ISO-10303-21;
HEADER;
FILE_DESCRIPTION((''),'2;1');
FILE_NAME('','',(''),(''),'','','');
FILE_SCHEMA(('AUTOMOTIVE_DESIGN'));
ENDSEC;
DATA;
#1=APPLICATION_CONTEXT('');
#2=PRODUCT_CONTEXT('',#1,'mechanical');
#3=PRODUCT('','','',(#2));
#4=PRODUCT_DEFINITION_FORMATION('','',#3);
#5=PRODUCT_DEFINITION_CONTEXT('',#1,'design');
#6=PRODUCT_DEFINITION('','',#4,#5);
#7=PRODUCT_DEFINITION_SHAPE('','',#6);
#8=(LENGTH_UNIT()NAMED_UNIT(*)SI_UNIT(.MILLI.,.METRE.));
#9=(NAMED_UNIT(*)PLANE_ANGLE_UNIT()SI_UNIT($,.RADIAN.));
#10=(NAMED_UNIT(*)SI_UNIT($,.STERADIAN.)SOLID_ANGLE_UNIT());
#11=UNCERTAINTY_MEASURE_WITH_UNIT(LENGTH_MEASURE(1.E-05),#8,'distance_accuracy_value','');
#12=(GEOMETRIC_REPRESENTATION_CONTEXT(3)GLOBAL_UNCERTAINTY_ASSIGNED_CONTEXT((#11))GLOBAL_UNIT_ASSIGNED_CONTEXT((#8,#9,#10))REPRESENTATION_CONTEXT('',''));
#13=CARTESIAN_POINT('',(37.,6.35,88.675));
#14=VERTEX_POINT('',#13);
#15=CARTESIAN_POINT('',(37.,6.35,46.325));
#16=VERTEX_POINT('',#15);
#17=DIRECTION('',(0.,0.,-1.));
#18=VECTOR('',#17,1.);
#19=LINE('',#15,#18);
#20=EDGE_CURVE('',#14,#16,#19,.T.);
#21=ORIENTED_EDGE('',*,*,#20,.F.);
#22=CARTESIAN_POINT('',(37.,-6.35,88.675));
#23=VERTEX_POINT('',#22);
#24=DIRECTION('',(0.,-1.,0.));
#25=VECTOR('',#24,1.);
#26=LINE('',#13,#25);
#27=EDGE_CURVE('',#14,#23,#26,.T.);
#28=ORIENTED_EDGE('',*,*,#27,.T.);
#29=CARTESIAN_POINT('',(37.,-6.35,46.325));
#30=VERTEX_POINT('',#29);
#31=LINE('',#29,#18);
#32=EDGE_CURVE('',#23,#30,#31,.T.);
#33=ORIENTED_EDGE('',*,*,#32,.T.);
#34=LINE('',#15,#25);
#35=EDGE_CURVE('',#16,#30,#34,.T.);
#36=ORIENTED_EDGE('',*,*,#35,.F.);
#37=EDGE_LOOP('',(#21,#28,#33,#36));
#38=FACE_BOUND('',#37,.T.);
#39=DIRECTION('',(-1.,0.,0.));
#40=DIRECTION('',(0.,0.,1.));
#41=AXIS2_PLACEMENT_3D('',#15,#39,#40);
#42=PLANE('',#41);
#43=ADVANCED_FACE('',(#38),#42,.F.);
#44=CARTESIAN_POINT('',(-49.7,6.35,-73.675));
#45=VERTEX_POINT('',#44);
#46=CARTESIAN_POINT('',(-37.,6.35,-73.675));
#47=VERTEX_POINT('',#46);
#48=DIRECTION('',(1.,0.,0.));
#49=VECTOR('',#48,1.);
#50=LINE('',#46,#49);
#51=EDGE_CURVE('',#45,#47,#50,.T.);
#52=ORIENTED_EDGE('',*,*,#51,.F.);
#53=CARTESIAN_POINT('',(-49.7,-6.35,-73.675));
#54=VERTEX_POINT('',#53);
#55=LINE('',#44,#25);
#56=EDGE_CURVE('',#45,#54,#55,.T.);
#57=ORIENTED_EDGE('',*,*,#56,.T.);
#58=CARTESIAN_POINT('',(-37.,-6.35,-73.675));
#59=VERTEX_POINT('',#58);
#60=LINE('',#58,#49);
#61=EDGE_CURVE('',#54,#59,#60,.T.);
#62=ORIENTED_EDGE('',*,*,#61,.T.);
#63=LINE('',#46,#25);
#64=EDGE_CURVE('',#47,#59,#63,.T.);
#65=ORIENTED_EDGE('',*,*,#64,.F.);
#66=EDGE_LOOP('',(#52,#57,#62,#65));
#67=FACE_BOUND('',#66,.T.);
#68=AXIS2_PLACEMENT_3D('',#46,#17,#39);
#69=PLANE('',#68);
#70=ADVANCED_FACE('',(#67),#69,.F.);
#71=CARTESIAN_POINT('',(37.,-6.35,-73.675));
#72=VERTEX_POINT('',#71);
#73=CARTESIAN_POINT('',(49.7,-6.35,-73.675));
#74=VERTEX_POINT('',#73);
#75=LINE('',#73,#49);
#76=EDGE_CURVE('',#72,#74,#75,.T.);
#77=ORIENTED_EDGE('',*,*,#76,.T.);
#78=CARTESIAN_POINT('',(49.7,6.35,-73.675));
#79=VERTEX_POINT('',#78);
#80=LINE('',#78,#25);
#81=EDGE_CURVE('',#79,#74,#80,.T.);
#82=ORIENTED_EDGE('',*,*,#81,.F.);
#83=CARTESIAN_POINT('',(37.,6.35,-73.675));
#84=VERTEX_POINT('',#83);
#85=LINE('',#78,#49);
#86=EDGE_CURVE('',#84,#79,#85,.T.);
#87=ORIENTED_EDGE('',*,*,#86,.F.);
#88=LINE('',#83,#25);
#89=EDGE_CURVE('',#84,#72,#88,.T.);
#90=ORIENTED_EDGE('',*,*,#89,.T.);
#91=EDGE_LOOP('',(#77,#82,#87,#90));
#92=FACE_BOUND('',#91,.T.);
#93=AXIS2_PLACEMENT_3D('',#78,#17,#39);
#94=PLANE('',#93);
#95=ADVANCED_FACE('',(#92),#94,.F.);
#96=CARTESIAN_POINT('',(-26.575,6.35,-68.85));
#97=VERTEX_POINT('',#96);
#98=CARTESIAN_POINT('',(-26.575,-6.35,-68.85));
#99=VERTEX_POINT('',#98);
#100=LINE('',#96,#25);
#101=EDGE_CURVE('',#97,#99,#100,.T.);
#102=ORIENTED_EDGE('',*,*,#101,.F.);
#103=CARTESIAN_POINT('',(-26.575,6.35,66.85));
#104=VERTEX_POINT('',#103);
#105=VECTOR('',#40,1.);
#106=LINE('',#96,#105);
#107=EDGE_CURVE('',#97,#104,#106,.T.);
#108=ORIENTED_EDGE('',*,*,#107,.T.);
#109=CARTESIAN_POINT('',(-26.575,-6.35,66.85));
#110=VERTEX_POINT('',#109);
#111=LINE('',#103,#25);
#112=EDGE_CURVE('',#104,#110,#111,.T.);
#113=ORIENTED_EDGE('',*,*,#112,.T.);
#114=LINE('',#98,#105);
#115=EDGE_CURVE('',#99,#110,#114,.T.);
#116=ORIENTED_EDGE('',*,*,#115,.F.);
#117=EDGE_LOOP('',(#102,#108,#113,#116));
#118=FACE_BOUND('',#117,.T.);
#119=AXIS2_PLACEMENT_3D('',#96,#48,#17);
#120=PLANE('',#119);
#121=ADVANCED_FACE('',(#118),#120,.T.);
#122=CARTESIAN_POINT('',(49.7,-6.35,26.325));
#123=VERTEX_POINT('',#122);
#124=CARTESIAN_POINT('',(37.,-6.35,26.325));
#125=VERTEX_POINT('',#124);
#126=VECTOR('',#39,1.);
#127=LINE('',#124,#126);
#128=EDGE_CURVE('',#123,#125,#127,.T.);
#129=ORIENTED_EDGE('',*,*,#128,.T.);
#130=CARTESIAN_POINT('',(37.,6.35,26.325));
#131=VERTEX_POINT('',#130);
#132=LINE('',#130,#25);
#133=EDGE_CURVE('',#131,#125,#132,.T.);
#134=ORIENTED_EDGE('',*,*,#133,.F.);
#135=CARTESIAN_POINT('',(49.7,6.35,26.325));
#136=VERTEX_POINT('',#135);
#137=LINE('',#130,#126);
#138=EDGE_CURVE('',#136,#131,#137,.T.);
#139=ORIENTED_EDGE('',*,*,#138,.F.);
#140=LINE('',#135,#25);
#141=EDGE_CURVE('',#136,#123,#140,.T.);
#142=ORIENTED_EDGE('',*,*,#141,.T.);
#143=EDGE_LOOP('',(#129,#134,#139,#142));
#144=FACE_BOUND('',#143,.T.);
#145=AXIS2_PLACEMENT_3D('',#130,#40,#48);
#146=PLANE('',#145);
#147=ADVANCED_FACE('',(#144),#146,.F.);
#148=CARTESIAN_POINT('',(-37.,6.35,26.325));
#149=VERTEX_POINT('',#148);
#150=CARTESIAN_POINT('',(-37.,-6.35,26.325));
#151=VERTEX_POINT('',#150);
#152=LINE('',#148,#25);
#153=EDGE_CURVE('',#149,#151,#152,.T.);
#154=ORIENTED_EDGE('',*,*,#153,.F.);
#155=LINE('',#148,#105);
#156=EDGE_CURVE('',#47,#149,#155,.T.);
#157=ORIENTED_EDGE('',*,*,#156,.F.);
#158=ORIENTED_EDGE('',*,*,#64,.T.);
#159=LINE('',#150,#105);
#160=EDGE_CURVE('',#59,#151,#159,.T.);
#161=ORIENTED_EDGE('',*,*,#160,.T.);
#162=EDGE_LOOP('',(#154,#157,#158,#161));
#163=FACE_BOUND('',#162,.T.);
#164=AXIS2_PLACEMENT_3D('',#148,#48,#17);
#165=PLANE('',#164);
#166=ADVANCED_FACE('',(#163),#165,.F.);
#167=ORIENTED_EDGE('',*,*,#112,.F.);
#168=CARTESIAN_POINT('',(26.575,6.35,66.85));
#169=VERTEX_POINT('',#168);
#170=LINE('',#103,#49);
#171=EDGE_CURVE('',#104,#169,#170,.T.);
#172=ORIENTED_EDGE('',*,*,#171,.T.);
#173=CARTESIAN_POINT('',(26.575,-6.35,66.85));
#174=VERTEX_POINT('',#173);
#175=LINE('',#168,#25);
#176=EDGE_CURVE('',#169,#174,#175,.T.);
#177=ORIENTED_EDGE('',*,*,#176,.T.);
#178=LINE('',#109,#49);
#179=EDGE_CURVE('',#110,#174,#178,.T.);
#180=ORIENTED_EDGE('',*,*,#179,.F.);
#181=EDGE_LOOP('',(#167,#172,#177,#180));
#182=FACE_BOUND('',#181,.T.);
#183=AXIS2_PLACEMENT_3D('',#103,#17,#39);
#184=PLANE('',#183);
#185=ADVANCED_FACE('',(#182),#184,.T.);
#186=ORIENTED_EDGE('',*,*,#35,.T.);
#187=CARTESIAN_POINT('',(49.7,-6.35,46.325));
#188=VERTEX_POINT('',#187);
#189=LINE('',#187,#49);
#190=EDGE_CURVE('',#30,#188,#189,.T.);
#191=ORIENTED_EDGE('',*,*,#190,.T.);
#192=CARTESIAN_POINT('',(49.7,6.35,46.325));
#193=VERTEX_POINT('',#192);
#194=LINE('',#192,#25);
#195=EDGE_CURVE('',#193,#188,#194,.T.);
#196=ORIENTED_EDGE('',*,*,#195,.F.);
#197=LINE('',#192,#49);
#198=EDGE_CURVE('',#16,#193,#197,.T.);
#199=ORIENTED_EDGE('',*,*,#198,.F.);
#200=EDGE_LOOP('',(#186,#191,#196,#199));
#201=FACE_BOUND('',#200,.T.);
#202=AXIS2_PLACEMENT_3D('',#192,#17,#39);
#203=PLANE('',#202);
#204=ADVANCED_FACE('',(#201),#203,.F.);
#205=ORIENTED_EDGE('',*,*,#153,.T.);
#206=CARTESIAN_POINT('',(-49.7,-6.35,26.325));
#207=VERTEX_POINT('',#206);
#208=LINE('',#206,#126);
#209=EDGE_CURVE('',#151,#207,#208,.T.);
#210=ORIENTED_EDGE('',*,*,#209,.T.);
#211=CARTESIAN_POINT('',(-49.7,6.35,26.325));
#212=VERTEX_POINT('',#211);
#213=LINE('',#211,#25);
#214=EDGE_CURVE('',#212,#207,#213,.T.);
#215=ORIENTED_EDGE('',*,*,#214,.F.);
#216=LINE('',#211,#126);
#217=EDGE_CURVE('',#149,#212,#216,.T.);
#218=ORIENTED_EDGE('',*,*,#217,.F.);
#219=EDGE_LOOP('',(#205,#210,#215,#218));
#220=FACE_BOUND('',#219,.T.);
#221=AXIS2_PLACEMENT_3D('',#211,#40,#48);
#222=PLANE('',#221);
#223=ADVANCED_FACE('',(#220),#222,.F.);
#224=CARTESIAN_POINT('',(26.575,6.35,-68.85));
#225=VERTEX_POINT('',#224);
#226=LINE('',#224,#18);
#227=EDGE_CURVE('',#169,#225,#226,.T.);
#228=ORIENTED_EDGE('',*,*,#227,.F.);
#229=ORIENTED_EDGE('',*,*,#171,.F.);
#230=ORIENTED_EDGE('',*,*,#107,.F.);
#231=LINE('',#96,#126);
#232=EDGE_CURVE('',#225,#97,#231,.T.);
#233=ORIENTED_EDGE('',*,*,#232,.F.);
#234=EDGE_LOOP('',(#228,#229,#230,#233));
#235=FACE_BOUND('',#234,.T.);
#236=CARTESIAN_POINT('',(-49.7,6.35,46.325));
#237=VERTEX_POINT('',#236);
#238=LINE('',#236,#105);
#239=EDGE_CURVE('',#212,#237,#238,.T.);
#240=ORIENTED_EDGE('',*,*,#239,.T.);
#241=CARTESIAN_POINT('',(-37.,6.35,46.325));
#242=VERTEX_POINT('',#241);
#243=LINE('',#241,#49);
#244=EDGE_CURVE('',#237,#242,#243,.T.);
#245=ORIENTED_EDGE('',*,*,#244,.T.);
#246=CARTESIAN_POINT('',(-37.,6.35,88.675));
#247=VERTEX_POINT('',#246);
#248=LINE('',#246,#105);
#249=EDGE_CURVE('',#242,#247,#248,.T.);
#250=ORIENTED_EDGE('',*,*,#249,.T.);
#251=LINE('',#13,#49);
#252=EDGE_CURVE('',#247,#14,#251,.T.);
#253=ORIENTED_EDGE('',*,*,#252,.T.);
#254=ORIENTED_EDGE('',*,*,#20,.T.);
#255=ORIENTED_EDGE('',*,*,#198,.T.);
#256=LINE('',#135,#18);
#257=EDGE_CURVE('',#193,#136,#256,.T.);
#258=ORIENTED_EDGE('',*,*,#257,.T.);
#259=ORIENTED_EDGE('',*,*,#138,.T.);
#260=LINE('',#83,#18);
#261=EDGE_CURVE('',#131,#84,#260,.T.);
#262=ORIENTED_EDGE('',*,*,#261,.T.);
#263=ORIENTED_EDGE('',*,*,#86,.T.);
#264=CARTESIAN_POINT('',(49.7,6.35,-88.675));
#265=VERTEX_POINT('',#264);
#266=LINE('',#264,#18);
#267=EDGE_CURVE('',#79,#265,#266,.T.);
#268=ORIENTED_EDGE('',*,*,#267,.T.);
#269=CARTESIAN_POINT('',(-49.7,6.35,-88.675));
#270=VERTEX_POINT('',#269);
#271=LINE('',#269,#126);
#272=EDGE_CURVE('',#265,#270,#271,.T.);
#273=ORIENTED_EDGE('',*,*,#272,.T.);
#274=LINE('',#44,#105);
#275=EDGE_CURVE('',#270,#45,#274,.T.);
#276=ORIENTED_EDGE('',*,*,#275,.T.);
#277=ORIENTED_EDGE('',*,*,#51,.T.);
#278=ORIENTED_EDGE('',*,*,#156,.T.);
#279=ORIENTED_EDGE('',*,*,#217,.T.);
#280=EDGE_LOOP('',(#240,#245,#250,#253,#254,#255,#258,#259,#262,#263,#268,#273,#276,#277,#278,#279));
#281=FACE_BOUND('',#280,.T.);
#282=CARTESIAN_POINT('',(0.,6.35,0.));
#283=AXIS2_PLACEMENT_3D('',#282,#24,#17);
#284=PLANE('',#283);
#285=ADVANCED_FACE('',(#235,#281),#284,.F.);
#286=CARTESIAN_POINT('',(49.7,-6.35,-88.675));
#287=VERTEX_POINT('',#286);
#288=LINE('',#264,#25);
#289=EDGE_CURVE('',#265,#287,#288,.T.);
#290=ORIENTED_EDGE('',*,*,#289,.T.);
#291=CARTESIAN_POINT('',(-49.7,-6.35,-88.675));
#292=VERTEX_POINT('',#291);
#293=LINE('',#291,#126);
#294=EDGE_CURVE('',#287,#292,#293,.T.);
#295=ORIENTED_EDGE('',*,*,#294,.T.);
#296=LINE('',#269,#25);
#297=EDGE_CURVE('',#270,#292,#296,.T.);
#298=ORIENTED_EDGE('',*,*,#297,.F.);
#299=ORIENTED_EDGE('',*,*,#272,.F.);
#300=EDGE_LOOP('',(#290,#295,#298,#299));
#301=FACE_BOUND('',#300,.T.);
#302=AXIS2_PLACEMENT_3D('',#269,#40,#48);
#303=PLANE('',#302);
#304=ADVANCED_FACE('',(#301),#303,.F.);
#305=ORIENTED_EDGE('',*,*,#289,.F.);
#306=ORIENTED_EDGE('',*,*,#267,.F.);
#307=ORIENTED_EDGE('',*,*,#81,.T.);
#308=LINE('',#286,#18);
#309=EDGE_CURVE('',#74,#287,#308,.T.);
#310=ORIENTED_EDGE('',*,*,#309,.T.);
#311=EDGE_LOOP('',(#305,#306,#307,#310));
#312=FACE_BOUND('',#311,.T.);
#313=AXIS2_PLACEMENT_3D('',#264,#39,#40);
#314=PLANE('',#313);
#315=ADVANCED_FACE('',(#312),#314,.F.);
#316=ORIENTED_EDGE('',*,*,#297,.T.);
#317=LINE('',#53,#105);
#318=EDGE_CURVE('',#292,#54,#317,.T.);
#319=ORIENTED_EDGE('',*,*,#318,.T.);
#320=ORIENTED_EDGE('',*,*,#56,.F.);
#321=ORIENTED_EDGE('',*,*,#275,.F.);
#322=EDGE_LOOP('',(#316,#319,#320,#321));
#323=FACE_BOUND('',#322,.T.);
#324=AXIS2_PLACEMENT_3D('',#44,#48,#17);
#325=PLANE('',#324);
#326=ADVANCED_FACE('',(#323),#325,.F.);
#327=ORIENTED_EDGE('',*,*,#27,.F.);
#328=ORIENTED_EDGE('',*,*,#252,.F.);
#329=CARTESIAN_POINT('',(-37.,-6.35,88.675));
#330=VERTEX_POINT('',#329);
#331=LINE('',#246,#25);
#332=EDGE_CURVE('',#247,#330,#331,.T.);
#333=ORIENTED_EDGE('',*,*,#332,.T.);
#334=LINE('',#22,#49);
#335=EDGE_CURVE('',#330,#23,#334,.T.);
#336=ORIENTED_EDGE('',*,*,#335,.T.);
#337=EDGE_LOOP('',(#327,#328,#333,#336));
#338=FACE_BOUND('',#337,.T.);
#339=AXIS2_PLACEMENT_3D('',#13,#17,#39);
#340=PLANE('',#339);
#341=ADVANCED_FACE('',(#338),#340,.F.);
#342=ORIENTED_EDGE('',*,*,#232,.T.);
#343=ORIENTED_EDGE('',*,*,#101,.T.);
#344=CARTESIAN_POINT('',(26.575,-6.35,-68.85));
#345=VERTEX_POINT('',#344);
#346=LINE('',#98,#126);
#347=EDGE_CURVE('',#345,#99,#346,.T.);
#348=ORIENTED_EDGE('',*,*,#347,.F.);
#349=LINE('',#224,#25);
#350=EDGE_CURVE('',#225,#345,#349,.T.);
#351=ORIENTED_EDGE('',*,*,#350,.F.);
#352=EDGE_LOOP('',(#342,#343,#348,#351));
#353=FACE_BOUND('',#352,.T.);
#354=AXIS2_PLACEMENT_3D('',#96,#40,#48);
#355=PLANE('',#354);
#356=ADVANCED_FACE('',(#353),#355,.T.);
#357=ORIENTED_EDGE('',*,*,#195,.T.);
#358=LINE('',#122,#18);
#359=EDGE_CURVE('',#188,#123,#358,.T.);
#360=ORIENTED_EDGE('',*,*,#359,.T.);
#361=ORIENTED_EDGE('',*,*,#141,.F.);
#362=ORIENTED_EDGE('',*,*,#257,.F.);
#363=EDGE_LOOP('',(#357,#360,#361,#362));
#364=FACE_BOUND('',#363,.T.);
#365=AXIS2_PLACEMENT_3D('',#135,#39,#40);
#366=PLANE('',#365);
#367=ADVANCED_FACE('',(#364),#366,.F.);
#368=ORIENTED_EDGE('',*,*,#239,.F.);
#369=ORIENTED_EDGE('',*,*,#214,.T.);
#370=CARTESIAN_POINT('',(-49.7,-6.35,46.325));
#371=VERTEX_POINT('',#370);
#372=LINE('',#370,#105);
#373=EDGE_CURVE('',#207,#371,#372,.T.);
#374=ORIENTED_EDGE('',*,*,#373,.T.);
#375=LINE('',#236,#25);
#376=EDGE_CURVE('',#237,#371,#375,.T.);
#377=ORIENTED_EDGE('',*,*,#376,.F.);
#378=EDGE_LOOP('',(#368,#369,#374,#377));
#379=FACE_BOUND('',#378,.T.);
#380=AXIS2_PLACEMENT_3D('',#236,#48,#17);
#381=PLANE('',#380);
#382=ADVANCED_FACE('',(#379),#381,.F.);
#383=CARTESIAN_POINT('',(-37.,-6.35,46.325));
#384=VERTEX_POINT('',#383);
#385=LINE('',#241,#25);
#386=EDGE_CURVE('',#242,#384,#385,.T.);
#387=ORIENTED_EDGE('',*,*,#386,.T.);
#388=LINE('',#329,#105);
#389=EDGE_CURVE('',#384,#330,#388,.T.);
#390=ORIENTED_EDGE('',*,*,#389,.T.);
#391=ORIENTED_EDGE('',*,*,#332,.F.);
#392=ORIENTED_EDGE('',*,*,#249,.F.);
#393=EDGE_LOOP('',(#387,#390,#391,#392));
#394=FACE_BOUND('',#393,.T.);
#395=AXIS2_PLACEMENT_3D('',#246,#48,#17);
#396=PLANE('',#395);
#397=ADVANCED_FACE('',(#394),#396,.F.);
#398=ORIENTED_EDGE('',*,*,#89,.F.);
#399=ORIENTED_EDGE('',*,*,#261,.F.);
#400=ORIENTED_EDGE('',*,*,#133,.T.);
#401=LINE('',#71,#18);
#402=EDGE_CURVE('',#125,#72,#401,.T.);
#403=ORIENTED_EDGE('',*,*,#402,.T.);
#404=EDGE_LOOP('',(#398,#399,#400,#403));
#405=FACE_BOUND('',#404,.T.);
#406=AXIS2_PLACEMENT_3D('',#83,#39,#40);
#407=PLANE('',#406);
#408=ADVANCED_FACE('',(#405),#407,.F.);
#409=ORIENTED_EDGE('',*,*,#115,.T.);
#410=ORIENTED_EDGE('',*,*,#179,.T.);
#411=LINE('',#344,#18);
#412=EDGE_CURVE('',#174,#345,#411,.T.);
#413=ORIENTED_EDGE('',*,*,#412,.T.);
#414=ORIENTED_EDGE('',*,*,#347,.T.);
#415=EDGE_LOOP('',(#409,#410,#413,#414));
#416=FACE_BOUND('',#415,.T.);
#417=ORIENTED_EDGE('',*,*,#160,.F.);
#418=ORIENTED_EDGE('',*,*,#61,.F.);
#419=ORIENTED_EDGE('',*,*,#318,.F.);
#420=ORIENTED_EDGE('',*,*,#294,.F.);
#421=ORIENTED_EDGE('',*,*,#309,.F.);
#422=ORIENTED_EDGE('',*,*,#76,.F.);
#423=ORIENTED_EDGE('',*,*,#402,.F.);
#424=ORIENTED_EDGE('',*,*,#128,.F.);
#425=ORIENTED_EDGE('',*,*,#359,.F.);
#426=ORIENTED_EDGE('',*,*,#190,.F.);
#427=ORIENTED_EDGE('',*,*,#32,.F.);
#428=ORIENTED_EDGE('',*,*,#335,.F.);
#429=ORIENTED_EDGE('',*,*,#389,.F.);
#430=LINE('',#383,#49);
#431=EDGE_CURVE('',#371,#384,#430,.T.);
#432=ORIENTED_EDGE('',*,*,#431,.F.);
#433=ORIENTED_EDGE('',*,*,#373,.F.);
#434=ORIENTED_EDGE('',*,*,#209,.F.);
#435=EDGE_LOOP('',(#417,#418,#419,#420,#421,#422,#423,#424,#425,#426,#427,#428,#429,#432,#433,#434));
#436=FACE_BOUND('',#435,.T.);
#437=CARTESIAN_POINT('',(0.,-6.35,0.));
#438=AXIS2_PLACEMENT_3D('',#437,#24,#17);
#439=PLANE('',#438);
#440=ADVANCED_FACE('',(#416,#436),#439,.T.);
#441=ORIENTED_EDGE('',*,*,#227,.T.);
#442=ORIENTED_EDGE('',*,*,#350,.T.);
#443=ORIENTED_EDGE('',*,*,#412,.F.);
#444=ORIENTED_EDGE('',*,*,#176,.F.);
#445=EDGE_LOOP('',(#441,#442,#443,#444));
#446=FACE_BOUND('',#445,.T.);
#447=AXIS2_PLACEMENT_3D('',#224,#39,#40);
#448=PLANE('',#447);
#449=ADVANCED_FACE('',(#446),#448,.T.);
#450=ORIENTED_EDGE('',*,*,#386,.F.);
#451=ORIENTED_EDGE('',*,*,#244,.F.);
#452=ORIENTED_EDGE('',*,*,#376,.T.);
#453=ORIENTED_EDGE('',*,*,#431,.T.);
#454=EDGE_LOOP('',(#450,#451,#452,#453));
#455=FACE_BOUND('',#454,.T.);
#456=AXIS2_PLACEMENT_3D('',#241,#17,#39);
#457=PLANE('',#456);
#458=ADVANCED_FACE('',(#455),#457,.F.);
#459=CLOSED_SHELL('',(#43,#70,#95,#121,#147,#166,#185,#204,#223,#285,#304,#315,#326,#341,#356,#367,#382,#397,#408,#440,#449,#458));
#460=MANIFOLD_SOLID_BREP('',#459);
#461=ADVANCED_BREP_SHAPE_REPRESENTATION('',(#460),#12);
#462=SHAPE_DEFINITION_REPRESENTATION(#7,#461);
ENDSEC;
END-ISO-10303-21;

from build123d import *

# Parameters (mm, degrees)
SKETCH1_W           = 53.15
SKETCH1_H           = 135.7
BOSS_EXTRUDE1_DEPTH = 6.35


with BuildPart() as part:
    # Sketch1 → Boss-Extrude1 (new, symmetric)
    with BuildSketch(Plane(origin=(0, 0, 0), x_dir=(1, 0, 0), z_dir=(0, 1, 0))):
        Polygon((-37, -88.675), (-37, -46.325), (-49.7, -46.325), (-49.7, -26.325), (-37, -26.325), (-37, 73.675), (-49.7, 73.675), (-49.7, 88.675), (49.7, 88.675), (49.7, 73.675), (37, 73.675), (37, -26.325), (49.7, -26.325), (49.7, -46.325), (37, -46.325), (37, -88.675), align=None)
        with Locations((0, 1)):
            Rectangle(SKETCH1_W, SKETCH1_H, mode=Mode.SUBTRACT)
    extrude(amount=BOSS_EXTRUDE1_DEPTH, both=True)


solid = part.part
